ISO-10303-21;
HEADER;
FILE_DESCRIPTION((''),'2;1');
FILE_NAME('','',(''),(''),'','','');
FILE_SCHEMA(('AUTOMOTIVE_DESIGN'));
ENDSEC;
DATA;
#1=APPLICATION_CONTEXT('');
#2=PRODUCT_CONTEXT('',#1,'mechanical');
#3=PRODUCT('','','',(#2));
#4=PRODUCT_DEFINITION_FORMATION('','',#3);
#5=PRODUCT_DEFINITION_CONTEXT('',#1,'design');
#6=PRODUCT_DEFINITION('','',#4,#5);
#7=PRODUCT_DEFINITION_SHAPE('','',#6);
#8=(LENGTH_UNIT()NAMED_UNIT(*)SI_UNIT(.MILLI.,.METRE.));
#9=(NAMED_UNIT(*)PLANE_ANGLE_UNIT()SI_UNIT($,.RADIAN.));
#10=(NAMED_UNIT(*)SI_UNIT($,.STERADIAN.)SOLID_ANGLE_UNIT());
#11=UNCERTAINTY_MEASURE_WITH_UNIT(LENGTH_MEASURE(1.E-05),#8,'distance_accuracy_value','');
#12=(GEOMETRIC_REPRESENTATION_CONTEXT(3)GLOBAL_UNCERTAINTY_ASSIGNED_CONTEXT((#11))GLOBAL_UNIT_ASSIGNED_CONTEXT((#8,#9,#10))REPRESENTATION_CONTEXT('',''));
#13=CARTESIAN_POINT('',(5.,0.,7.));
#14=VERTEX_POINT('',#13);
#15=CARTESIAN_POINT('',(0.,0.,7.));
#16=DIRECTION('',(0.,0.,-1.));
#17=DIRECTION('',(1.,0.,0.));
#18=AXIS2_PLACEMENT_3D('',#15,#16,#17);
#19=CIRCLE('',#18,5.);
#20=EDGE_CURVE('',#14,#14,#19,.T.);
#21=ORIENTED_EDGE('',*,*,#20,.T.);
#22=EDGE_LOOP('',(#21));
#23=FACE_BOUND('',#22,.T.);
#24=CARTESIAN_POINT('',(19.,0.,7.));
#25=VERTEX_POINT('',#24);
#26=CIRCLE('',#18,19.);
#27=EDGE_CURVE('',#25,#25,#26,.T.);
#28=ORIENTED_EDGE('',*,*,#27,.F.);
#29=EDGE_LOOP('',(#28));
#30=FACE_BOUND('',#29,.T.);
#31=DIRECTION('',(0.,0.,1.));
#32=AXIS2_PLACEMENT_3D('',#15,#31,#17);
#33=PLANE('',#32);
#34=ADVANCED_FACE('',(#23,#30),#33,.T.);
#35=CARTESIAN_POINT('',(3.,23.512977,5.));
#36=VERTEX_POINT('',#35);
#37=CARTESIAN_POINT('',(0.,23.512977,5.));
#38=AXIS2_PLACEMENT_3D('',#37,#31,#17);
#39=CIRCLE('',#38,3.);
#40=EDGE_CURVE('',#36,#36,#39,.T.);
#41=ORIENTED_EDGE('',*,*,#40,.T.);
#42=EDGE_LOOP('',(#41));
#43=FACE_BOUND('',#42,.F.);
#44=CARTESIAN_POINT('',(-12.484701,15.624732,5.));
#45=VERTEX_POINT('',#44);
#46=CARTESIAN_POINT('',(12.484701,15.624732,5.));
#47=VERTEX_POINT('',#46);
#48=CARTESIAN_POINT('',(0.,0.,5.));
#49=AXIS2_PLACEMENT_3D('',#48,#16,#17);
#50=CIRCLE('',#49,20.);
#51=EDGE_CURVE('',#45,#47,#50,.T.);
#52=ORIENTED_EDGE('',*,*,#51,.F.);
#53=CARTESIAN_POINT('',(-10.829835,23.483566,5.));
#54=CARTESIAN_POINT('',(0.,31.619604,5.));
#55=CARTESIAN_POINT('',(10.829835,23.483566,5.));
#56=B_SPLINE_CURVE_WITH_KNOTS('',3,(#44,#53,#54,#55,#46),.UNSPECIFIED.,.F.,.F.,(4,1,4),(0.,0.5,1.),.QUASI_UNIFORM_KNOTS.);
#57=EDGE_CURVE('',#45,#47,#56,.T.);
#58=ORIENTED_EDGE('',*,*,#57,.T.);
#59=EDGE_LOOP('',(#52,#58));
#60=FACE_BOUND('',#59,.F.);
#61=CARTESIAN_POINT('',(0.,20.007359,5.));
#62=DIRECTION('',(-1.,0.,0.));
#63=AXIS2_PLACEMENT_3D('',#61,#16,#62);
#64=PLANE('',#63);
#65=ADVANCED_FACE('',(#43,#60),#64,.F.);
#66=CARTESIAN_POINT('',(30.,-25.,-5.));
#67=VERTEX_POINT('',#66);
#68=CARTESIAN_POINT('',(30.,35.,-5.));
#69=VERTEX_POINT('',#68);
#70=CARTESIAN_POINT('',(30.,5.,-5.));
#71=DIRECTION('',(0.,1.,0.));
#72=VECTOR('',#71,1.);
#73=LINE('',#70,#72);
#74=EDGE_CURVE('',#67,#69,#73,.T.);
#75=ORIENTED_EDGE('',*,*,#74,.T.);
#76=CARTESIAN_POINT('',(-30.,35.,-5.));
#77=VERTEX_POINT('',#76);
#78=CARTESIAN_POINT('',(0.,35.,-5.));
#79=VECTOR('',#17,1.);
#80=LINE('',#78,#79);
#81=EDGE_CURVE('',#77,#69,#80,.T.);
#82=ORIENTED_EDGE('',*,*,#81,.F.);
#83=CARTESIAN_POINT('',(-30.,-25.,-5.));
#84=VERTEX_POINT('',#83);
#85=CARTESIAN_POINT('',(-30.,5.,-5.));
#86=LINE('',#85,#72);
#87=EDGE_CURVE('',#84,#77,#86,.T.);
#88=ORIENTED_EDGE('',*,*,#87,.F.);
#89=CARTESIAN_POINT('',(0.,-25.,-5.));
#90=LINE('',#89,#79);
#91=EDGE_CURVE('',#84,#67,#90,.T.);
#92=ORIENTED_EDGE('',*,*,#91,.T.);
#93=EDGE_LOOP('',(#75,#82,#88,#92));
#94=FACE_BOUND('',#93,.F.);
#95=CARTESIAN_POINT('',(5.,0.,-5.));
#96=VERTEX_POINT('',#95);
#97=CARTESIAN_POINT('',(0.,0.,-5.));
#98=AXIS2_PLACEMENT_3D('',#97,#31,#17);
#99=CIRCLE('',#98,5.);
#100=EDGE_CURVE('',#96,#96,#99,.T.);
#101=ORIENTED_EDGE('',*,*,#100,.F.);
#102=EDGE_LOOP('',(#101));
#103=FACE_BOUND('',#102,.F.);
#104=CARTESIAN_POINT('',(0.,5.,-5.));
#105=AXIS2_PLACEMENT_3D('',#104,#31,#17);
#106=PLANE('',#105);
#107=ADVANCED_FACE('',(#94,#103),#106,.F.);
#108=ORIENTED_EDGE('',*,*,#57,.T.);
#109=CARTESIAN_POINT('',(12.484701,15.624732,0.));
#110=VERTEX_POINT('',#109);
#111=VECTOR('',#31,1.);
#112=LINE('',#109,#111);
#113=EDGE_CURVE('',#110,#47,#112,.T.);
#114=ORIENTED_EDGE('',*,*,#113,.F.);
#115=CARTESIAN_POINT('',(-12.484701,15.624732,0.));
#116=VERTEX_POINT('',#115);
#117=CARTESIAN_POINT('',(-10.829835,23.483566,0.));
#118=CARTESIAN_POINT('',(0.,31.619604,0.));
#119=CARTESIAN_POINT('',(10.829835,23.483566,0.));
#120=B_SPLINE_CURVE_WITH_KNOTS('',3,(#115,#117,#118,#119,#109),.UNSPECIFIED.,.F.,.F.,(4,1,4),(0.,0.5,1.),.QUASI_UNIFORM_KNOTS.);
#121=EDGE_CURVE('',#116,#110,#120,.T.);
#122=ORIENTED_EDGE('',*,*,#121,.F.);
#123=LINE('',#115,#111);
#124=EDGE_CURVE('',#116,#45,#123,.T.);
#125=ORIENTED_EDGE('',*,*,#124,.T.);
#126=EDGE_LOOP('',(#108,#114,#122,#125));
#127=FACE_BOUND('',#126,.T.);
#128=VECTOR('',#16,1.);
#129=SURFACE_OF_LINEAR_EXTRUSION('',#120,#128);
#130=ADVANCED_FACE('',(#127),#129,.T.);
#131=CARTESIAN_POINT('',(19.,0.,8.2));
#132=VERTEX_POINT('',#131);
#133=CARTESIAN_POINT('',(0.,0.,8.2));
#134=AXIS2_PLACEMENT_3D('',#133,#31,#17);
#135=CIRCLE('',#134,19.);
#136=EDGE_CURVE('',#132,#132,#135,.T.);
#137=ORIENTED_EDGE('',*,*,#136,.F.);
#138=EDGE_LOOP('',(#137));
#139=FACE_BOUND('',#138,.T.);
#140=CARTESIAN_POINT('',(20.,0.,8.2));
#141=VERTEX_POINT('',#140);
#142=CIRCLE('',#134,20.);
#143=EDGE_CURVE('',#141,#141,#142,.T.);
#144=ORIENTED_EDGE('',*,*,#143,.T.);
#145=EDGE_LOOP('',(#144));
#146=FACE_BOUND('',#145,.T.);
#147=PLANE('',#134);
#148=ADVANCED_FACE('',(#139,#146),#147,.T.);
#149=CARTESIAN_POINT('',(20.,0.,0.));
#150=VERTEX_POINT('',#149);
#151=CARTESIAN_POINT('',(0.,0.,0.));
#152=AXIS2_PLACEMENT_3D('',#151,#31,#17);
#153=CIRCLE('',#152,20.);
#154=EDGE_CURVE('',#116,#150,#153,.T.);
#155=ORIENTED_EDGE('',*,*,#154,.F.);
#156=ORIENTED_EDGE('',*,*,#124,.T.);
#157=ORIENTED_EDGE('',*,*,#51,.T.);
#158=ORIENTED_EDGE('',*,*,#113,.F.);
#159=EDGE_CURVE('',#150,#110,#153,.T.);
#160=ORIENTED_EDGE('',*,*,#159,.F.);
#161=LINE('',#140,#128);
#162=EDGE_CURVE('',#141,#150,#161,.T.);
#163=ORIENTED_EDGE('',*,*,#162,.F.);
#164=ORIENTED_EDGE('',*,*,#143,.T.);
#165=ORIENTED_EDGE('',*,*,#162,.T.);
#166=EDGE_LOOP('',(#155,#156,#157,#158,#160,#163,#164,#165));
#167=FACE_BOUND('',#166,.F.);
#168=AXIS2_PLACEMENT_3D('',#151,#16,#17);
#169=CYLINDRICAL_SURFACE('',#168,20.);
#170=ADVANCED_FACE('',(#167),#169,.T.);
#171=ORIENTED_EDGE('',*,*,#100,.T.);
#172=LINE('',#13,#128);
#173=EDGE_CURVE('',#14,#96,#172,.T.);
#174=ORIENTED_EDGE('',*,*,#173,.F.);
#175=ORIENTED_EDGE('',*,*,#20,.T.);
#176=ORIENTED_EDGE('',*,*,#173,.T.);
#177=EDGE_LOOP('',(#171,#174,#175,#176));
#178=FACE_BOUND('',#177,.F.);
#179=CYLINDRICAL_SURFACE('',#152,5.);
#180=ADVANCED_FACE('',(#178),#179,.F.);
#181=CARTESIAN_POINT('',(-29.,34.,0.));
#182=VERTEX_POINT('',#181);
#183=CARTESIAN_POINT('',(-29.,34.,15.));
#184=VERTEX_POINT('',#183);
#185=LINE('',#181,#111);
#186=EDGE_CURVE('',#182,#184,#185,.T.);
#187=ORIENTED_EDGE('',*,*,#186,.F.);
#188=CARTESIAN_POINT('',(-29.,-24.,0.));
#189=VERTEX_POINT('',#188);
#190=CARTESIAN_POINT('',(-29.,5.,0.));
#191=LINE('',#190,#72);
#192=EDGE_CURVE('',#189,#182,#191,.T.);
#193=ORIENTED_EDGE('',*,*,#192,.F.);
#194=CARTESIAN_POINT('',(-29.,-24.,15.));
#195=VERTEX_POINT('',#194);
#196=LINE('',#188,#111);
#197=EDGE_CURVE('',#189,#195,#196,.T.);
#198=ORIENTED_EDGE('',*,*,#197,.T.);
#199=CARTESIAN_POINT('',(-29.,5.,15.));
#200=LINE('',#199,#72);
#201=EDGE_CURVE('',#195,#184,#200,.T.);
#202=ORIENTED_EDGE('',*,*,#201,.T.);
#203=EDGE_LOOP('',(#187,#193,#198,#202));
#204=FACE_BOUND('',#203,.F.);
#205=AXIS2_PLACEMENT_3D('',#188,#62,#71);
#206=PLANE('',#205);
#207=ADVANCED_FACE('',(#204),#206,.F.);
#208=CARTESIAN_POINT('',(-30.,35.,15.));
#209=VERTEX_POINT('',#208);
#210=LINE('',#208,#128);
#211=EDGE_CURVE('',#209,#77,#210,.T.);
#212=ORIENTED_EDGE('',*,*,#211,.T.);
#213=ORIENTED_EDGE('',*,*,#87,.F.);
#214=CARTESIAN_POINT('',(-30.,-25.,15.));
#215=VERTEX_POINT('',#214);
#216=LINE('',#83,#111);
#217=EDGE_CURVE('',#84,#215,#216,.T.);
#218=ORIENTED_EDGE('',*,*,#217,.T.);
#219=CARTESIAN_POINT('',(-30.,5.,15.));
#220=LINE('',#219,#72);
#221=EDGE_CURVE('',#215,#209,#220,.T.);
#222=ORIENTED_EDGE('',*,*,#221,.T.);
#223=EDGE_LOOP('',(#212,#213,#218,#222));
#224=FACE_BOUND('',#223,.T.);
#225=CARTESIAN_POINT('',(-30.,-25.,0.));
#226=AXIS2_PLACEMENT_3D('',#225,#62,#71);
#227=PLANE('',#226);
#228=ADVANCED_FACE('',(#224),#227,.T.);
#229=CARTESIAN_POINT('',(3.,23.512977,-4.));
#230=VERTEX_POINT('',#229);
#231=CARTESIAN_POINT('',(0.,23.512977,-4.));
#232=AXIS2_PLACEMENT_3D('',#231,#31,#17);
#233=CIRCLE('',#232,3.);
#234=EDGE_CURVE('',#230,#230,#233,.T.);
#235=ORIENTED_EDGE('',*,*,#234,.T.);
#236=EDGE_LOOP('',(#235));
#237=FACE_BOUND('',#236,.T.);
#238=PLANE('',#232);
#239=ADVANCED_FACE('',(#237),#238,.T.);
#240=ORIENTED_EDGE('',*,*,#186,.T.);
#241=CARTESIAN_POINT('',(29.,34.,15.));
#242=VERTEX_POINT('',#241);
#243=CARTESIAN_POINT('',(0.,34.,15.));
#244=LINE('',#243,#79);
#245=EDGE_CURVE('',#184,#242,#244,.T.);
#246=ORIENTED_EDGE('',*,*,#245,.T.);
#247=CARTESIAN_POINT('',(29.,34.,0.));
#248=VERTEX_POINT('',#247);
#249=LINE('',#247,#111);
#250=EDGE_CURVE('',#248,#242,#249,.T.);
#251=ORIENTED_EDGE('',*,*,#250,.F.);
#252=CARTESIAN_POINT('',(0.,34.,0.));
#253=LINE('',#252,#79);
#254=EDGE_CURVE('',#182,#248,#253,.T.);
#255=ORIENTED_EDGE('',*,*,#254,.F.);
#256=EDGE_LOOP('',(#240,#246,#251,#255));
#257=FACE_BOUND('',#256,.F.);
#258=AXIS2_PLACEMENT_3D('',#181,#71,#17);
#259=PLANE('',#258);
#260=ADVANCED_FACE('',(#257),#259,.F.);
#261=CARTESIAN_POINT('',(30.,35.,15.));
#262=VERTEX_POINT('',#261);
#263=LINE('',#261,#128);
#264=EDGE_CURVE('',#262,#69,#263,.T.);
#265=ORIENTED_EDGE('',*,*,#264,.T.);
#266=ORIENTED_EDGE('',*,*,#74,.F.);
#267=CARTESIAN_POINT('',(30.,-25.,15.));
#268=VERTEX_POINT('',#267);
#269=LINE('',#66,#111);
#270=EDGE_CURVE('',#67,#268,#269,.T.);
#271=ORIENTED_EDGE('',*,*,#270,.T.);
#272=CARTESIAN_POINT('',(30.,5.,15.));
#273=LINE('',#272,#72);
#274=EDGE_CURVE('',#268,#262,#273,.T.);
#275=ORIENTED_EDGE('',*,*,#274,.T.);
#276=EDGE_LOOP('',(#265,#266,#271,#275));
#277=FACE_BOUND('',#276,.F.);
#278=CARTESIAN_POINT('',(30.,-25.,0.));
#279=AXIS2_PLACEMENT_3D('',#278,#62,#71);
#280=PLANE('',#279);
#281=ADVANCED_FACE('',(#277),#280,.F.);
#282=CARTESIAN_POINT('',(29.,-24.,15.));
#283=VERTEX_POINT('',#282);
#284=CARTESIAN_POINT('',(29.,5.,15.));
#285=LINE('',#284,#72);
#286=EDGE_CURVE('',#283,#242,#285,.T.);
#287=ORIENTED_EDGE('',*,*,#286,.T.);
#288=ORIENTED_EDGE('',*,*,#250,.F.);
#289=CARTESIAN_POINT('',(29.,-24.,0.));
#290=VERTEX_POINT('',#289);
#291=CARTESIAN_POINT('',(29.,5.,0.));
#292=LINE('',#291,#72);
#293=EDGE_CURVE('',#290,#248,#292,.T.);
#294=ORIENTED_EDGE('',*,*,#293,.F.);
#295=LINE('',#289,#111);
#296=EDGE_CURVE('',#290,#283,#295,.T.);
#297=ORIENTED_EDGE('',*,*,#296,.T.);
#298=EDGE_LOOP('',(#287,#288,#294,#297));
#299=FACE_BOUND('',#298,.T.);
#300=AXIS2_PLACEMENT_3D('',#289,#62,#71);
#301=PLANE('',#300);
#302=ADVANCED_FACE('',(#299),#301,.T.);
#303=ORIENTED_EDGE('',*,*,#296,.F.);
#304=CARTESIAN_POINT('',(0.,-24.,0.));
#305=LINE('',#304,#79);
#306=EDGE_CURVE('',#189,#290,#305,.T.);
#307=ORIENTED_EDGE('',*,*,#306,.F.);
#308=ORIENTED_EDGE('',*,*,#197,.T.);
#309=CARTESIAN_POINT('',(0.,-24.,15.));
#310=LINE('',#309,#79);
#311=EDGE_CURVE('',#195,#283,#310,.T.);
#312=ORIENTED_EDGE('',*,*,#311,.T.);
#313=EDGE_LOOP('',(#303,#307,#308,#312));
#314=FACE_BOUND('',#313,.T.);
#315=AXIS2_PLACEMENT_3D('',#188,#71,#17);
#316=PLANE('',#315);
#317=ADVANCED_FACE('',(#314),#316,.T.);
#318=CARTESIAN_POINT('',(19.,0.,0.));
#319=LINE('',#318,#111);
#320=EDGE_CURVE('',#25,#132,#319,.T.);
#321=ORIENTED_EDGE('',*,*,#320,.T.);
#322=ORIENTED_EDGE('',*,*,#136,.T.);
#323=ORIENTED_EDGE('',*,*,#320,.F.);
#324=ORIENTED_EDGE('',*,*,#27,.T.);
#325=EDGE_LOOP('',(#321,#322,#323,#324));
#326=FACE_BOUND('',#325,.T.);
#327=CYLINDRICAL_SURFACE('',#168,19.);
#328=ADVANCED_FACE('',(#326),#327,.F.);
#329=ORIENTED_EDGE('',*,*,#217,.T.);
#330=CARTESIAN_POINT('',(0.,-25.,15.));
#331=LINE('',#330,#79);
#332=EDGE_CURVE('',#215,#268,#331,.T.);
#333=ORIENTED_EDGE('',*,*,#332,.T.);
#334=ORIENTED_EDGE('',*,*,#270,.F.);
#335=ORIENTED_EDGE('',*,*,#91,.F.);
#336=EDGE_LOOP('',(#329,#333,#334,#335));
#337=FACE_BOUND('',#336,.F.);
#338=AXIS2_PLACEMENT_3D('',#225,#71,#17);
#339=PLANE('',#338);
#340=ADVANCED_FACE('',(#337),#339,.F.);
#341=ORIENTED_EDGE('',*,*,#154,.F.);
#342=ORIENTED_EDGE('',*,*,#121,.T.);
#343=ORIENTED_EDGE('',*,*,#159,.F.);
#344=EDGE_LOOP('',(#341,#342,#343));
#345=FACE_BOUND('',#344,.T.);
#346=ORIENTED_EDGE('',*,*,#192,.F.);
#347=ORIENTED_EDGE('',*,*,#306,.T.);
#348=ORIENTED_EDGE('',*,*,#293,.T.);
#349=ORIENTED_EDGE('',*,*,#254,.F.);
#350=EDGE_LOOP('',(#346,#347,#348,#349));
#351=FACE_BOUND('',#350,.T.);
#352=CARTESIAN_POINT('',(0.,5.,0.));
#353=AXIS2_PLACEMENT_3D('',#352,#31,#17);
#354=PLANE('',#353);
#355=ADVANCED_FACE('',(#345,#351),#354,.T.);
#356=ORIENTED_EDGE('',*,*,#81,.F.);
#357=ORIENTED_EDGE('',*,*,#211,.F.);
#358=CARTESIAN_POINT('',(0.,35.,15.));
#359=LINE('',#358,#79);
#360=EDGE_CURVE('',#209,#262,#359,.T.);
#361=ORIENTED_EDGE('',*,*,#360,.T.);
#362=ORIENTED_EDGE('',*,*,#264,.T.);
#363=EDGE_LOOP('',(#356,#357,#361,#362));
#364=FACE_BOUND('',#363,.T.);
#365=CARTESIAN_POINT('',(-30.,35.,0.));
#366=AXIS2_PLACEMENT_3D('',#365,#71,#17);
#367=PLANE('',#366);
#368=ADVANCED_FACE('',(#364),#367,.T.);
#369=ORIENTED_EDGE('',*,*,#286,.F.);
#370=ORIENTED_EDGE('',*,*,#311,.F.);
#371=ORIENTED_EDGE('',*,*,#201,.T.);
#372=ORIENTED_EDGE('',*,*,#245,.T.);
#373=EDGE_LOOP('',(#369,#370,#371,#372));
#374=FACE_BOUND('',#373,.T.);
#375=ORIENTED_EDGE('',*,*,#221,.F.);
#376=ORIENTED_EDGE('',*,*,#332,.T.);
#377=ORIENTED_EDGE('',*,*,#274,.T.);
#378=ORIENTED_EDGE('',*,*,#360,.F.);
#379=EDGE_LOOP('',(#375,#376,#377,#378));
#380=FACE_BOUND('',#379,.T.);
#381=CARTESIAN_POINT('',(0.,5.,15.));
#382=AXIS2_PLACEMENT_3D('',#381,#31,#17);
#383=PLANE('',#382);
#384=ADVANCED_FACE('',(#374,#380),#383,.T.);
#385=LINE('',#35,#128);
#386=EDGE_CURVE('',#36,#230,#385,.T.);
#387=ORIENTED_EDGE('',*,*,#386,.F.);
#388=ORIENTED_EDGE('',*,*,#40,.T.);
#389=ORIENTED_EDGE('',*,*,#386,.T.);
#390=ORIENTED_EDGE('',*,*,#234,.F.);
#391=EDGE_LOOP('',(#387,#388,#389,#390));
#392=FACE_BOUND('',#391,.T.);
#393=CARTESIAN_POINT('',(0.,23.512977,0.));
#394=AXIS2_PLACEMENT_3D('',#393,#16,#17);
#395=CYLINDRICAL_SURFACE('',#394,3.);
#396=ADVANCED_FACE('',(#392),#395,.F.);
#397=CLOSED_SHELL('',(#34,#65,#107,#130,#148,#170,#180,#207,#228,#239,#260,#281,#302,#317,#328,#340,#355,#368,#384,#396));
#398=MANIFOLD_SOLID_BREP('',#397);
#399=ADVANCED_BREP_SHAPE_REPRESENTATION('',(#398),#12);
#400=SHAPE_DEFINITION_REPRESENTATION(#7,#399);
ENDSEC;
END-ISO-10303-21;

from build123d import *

# Parameters (mm, degrees)
SKETCH_R             = 20
PAD_DEPTH            = 7
SKETCH001_R          = 3
PAD001_DEPTH         = 5
SKETCH002_R          = 20
SKETCH002_R_2        = 19
PAD002_DEPTH         = 8.2
SKETCH003_W          = 60
SKETCH003_H          = 60
PAD003_DEPTH         = 5
SKETCH004_W          = 60
SKETCH004_H          = 60
SKETCH004_W_2        = 58
SKETCH004_H_2        = 58
PAD004_DEPTH         = 15
SKETCH006_R          = 3
POCKET_DEPTH         = 4
SKETCH005_R          = 5
POCKET001_DEPTH      = 5.001
POCKET001_DEPTH_BACK = -15.001


with BuildPart() as part:
    # Sketch → Pad (new body)
    with BuildSketch(Plane.XY):
        Circle(SKETCH_R)
    extrude(amount=PAD_DEPTH)

    # Sketch001 → Pad001 (join)
    with BuildSketch(Plane.XY):
        with BuildLine():
            add(Edge.make_bspline(
                [(-12.484701, 15.624732), (-10.829835, 23.483566), (0, 31.619604), (10.829835, 23.483566), (12.484701, 15.624732)],
                knots=[0, 0, 0, 0, 0.5, 1, 1, 1, 1], degree=3))
            Line((12.484701, 15.624732), (-12.484701, 15.624732))
        make_face()
        with Locations((0, 23.512977)):
            Circle(SKETCH001_R, mode=Mode.SUBTRACT)
    extrude(amount=PAD001_DEPTH)

    # Sketch002 → Pad002 (join)
    with BuildSketch(Plane.XY):
        Circle(SKETCH002_R)
        Circle(SKETCH002_R_2, mode=Mode.SUBTRACT)
    extrude(amount=PAD002_DEPTH)

    # Sketch003 → Pad003 (join)
    with BuildSketch(Plane.XY):
        with Locations((0, 5)):
            Rectangle(SKETCH003_W, SKETCH003_H)
    extrude(amount=-PAD003_DEPTH)

    # Sketch004 → Pad004 (join)
    with BuildSketch(Plane.XY):
        with Locations((0, 5)):
            Rectangle(SKETCH004_W, SKETCH004_H)
        with Locations((0, 5)):
            Rectangle(SKETCH004_W_2, SKETCH004_H_2, mode=Mode.SUBTRACT)
    extrude(amount=PAD004_DEPTH)

    # Sketch006 → Pocket (cut)
    with BuildSketch(Plane.XY):
        with Locations((0, 23.512977)):
            Circle(SKETCH006_R)
    extrude(amount=-POCKET_DEPTH, mode=Mode.SUBTRACT)

    # Sketch005 → Pocket001 (cut, two sides)
    with BuildSketch(Plane.XY) as pocket001_sk:
        Circle(SKETCH005_R)
    extrude(amount=-POCKET001_DEPTH, mode=Mode.SUBTRACT)
    extrude(pocket001_sk.sketch, amount=-POCKET001_DEPTH_BACK, mode=Mode.SUBTRACT)


solid = part.part
